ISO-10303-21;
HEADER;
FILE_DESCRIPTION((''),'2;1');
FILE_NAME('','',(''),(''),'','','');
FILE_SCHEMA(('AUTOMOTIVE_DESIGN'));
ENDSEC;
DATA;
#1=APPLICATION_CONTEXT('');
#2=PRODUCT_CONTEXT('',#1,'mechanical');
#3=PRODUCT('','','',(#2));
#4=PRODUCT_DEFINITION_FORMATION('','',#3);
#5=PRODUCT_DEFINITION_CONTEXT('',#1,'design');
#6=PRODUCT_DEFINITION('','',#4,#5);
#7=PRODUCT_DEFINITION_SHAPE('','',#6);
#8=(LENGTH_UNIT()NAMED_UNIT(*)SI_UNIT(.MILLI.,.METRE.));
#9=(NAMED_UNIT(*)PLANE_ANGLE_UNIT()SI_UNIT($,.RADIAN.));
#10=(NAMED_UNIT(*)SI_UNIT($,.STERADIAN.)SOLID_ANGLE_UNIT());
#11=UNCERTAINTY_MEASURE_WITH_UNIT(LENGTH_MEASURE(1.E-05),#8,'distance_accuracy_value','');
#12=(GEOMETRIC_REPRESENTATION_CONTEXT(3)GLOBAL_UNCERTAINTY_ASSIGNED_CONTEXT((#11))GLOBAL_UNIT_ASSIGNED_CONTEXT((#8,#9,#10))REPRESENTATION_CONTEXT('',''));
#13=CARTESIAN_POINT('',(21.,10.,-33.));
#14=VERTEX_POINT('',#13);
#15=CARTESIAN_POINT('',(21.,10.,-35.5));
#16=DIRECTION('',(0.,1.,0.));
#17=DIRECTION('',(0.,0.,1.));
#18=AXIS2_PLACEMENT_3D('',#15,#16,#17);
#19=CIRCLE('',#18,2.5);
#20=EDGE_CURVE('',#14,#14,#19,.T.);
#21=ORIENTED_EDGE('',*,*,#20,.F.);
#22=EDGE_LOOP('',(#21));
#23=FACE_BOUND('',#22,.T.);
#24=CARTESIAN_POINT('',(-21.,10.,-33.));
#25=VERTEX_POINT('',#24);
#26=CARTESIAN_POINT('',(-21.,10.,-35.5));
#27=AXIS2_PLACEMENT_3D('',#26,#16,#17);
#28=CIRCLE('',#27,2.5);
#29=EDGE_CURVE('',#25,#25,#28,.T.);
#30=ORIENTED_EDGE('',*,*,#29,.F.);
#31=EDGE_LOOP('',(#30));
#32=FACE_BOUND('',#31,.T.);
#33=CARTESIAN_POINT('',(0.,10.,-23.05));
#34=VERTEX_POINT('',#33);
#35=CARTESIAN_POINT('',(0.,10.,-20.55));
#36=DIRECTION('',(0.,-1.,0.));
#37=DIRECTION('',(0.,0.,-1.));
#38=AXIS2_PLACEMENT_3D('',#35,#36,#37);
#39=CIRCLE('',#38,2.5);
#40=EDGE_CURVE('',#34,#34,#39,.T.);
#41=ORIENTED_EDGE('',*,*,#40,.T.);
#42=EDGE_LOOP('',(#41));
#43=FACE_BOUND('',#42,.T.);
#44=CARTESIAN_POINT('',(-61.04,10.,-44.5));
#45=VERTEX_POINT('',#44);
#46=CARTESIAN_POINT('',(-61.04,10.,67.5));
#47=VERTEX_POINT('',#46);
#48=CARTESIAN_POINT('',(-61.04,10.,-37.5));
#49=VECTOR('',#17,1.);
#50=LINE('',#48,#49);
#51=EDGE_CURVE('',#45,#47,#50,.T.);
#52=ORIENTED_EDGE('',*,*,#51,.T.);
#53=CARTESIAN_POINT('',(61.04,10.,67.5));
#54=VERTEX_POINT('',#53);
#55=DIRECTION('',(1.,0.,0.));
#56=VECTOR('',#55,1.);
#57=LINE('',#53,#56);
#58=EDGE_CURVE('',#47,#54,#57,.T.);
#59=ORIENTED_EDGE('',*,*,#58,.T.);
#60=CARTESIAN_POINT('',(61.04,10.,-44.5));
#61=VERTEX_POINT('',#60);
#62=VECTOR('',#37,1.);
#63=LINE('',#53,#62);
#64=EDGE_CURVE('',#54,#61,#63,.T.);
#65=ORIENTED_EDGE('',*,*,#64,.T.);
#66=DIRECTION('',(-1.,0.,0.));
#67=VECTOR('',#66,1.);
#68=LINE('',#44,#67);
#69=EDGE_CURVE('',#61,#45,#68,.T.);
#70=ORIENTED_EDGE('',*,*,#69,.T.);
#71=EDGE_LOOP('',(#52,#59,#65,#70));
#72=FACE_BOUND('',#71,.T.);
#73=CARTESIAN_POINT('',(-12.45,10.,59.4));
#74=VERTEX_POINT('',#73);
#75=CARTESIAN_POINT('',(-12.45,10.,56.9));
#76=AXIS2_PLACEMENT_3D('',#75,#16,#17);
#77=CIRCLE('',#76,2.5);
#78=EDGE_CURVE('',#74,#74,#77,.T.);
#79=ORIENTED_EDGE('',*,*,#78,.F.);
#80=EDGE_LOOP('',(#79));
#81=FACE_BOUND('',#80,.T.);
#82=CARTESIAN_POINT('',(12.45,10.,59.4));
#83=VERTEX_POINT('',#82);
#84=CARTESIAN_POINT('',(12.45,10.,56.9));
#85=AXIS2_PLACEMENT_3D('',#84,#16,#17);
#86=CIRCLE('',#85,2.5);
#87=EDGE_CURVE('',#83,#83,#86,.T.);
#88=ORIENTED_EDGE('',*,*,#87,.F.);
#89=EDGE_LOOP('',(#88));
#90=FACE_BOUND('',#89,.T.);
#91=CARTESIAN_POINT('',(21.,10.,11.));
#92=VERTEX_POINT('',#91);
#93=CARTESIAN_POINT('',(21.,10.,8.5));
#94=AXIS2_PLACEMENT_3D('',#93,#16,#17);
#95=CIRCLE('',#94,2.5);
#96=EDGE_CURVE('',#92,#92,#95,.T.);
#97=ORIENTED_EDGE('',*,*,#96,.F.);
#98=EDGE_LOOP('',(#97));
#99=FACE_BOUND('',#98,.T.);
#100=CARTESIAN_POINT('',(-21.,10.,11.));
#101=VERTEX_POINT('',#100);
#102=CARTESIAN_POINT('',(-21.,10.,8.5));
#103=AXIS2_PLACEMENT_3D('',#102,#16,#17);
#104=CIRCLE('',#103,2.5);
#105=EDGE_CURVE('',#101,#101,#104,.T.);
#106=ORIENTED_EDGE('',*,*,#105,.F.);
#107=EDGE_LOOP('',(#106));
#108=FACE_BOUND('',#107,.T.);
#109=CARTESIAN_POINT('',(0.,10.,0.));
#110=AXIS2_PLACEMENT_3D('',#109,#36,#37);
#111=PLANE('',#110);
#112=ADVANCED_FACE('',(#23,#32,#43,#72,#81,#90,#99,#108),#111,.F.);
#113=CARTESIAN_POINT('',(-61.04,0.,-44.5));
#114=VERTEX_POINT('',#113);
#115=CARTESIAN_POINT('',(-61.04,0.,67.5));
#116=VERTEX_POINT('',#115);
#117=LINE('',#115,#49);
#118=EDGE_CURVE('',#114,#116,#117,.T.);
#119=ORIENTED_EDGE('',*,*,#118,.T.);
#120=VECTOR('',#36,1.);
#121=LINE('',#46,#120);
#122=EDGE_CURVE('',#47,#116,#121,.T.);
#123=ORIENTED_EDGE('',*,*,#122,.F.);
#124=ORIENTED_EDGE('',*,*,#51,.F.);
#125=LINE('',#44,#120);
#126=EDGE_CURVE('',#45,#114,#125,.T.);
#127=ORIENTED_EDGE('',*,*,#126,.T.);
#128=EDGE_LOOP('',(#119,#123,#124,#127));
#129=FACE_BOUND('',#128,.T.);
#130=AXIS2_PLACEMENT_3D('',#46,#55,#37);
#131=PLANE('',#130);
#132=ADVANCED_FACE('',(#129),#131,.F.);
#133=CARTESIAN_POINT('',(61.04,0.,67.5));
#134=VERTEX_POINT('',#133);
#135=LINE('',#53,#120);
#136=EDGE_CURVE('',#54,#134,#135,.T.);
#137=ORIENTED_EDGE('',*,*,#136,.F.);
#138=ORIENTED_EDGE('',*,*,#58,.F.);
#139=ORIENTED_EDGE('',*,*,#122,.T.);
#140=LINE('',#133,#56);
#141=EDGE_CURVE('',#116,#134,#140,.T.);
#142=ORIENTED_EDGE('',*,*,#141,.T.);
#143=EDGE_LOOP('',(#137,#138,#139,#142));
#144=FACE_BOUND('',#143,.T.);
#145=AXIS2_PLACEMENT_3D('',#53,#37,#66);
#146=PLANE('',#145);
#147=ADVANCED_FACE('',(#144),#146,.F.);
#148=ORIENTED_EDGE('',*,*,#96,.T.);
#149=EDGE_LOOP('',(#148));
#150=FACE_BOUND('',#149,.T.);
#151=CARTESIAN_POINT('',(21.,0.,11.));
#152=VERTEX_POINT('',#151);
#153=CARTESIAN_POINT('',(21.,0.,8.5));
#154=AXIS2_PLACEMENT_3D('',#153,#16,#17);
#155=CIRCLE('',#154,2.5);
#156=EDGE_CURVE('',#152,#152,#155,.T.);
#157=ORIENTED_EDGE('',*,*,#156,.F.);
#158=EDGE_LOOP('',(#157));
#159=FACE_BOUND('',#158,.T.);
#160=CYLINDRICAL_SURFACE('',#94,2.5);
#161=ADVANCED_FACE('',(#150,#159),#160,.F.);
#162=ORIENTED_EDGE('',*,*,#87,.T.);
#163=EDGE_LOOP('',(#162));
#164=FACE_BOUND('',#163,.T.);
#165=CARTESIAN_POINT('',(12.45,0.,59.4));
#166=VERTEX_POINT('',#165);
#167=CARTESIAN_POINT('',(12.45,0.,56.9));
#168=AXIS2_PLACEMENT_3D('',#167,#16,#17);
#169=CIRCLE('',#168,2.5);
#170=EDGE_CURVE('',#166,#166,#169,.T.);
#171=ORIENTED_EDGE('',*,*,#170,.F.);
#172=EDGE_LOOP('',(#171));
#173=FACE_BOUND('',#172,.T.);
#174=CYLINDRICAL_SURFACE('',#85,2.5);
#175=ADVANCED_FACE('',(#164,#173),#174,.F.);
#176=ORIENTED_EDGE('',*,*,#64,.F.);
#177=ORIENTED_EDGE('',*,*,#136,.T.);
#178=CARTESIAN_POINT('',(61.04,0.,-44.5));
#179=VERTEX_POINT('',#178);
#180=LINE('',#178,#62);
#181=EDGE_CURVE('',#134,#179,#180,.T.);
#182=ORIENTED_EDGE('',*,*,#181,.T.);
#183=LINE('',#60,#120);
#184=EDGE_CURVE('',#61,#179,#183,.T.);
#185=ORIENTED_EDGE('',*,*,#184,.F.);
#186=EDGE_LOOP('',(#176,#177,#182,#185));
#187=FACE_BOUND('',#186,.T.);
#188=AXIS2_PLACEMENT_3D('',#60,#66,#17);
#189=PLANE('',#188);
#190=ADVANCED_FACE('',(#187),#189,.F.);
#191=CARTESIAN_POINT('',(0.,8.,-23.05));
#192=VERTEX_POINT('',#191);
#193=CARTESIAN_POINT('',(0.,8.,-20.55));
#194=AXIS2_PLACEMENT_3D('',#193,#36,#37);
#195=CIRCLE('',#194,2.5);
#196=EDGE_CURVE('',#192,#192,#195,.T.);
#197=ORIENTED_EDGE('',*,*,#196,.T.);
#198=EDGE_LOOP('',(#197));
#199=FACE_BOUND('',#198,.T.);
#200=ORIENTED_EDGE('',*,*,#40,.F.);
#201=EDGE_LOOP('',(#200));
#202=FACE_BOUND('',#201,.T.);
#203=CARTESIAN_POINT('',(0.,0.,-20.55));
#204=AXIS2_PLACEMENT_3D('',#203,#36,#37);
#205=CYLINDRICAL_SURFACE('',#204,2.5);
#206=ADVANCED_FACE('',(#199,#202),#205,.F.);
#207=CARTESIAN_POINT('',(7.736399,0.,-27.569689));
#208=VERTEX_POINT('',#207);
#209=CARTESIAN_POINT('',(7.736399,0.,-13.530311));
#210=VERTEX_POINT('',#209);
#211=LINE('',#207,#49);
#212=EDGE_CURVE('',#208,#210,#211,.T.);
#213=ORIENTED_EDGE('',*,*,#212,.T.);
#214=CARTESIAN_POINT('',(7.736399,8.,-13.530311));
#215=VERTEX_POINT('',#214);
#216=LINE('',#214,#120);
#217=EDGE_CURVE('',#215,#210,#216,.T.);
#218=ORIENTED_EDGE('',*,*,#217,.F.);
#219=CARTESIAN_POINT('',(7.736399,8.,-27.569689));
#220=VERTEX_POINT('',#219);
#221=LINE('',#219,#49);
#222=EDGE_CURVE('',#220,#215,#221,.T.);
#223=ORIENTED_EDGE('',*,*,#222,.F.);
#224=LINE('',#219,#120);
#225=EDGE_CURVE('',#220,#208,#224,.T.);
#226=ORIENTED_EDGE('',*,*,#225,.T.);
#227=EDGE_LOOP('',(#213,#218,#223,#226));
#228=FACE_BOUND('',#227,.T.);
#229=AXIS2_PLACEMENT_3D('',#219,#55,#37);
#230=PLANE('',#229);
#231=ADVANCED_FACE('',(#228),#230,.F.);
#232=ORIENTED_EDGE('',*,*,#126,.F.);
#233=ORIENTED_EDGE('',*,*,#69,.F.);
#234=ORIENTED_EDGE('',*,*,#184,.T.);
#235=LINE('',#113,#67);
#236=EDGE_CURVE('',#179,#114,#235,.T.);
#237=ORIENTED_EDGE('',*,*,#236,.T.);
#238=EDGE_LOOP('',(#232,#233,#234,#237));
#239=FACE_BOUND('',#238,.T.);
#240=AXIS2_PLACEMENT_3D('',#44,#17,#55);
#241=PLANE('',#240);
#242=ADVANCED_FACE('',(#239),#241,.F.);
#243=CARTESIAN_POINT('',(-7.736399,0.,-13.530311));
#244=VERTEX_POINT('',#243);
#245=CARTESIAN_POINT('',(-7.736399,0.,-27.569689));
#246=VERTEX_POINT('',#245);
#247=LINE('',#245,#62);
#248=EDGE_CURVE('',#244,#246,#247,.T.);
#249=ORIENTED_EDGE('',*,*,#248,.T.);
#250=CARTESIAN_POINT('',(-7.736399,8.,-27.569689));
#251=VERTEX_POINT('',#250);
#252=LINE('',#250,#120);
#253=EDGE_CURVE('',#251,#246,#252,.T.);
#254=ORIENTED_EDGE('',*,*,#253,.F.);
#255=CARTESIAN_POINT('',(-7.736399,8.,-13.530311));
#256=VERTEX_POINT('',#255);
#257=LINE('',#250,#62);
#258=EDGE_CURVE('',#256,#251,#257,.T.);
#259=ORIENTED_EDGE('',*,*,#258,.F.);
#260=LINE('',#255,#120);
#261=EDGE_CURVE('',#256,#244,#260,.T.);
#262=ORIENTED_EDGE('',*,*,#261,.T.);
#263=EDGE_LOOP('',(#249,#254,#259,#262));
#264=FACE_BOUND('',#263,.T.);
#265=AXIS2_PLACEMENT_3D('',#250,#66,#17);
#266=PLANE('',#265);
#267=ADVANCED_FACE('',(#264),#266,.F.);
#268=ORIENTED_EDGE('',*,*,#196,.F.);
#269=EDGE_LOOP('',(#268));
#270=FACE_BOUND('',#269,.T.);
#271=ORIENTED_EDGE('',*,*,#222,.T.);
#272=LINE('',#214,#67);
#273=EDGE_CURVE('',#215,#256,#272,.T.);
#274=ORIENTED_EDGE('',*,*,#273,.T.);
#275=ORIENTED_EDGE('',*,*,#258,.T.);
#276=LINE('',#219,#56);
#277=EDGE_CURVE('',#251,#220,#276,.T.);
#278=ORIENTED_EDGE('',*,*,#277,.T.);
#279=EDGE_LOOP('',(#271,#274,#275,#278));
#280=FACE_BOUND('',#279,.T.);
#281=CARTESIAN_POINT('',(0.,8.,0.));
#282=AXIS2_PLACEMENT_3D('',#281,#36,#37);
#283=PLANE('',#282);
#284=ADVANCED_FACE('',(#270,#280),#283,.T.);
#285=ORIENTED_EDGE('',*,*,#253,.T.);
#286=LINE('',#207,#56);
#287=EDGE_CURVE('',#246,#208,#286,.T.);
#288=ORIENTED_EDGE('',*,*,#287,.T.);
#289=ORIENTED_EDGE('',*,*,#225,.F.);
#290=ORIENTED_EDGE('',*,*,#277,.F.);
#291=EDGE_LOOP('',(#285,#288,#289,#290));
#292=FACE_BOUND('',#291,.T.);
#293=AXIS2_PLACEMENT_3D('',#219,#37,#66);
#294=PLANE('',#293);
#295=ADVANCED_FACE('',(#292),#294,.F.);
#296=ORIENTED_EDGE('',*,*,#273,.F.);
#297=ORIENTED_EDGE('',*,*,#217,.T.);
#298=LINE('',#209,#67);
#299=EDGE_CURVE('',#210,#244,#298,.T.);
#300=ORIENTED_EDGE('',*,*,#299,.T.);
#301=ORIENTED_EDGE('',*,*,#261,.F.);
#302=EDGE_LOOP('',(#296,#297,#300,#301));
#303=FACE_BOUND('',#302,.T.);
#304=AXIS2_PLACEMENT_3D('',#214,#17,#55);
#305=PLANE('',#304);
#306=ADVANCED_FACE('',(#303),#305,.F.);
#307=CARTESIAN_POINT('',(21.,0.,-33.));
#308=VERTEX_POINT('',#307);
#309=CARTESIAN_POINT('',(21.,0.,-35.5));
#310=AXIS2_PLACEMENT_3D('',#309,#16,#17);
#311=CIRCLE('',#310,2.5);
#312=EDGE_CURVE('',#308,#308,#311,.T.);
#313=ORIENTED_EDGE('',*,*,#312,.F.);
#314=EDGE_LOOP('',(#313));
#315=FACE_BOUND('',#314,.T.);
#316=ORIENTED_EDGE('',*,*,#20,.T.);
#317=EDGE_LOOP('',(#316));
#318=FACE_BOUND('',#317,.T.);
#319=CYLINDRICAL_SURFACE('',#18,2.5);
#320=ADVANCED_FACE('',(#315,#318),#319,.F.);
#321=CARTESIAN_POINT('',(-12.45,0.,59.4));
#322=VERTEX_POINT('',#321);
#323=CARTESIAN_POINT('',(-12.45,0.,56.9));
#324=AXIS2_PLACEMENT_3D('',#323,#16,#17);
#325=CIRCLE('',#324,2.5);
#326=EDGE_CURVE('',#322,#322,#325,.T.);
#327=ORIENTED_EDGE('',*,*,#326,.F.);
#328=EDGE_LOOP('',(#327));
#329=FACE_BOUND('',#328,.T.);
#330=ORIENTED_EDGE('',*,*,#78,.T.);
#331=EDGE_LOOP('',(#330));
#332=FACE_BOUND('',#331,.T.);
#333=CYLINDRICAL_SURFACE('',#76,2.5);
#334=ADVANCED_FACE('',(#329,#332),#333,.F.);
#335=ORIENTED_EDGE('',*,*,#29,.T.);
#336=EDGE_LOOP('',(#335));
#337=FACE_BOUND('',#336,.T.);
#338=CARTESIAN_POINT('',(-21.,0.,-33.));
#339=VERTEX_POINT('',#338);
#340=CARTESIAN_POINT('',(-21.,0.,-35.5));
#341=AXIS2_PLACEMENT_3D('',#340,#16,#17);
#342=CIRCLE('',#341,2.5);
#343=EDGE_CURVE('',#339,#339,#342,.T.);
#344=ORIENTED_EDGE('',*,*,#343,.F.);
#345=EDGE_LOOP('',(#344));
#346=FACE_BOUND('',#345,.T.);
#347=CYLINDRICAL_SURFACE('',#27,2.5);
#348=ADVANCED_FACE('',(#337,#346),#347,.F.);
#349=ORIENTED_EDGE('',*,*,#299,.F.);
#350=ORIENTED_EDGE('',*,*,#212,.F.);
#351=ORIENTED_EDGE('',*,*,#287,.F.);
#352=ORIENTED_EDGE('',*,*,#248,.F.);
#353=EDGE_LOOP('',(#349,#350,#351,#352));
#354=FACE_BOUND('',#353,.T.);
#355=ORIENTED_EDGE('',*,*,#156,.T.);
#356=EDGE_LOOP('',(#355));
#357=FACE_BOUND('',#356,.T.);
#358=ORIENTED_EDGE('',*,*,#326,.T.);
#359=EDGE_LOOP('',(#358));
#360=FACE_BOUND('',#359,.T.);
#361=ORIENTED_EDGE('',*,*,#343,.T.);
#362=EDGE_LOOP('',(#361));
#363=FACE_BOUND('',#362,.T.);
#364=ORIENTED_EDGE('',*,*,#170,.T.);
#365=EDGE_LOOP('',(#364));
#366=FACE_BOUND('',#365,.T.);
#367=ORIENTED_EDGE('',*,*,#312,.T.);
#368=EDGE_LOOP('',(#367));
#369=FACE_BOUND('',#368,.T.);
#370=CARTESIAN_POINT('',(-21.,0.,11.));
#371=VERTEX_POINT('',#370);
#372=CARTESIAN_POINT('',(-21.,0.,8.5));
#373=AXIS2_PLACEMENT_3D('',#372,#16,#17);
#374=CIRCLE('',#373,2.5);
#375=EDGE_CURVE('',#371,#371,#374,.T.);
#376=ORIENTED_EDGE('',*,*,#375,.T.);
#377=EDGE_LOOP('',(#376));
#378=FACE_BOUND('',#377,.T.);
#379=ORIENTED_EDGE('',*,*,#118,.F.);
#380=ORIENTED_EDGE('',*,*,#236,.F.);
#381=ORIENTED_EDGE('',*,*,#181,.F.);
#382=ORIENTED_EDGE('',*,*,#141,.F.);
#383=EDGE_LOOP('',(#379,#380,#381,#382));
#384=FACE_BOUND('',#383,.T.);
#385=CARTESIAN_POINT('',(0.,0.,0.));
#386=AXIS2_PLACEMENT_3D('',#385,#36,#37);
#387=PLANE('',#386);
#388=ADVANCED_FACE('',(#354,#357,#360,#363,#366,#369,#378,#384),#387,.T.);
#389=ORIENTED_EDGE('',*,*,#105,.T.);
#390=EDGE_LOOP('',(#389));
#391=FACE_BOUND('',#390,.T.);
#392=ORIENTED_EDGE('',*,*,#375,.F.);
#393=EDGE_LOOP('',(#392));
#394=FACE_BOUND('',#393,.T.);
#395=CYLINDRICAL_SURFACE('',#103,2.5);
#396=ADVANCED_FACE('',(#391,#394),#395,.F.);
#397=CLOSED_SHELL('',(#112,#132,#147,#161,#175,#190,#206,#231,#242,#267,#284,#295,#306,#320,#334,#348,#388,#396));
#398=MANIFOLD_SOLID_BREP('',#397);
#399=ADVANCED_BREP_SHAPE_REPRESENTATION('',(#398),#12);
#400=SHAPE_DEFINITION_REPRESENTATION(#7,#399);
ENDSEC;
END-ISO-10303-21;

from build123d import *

# Parameters (mm, degrees)
BOSS_EXTRUDE1_DEPTH = 10
M6_TAPPED_HOLE2_D   = 5
M6_TAPPED_HOLE5_D   = 5
SKETCH14_W          = 15.472798768
SKETCH14_H          = 14.039377176
CUT_EXTRUDE1_DEPTH  = 8
M6_TAPPED_HOLE7_D   = 5


with BuildPart() as part:
    # Sketch2 → Boss-Extrude1 (new body)
    with BuildSketch(Plane(origin=(0, 0, 0), x_dir=(1, 0, 0), z_dir=(0, 1, 0))):
        Polygon((61.04, -67.5), (-61.04, -67.5), (-61.04, 37.5), (-61.04, 44.5), (61.04, 44.5), (61.04, 37.5), align=None)
    extrude(amount=BOSS_EXTRUDE1_DEPTH)

    # M6 Tapped Hole2 (through all)
    with Locations(Plane(origin=(0, 10, 0), x_dir=(1, 0, 0), z_dir=(0, 1, 0))):
        with Locations((-21, -8.5), (21, -8.5), (21, 35.5), (-21, 35.5)):
            Hole(M6_TAPPED_HOLE2_D / 2)

    # M6 Tapped Hole5 (through all)
    with Locations(Plane(origin=(0, 10, 0), x_dir=(1, 0, 0), z_dir=(0, 1, 0))):
        with Locations((-12.45, -56.9), (12.45, -56.9)):
            Hole(M6_TAPPED_HOLE5_D / 2)

    # Sketch14 → Cut-Extrude1 (cut)
    with BuildSketch(Plane(origin=(0, 0, 0), x_dir=(-1, 0, 0), z_dir=(0, -1, 0))):
        with Locations((0, 20.55)):
            Rectangle(SKETCH14_W, SKETCH14_H)
    extrude(amount=-CUT_EXTRUDE1_DEPTH, mode=Mode.SUBTRACT)

    # M6 Tapped Hole7 (through all)
    with Locations(Plane(origin=(0, 0, 0), x_dir=(-1, 0, 0), z_dir=(0, -1, 0))):
        with Locations((0, 20.55)):
            Hole(M6_TAPPED_HOLE7_D / 2)


solid = part.part
